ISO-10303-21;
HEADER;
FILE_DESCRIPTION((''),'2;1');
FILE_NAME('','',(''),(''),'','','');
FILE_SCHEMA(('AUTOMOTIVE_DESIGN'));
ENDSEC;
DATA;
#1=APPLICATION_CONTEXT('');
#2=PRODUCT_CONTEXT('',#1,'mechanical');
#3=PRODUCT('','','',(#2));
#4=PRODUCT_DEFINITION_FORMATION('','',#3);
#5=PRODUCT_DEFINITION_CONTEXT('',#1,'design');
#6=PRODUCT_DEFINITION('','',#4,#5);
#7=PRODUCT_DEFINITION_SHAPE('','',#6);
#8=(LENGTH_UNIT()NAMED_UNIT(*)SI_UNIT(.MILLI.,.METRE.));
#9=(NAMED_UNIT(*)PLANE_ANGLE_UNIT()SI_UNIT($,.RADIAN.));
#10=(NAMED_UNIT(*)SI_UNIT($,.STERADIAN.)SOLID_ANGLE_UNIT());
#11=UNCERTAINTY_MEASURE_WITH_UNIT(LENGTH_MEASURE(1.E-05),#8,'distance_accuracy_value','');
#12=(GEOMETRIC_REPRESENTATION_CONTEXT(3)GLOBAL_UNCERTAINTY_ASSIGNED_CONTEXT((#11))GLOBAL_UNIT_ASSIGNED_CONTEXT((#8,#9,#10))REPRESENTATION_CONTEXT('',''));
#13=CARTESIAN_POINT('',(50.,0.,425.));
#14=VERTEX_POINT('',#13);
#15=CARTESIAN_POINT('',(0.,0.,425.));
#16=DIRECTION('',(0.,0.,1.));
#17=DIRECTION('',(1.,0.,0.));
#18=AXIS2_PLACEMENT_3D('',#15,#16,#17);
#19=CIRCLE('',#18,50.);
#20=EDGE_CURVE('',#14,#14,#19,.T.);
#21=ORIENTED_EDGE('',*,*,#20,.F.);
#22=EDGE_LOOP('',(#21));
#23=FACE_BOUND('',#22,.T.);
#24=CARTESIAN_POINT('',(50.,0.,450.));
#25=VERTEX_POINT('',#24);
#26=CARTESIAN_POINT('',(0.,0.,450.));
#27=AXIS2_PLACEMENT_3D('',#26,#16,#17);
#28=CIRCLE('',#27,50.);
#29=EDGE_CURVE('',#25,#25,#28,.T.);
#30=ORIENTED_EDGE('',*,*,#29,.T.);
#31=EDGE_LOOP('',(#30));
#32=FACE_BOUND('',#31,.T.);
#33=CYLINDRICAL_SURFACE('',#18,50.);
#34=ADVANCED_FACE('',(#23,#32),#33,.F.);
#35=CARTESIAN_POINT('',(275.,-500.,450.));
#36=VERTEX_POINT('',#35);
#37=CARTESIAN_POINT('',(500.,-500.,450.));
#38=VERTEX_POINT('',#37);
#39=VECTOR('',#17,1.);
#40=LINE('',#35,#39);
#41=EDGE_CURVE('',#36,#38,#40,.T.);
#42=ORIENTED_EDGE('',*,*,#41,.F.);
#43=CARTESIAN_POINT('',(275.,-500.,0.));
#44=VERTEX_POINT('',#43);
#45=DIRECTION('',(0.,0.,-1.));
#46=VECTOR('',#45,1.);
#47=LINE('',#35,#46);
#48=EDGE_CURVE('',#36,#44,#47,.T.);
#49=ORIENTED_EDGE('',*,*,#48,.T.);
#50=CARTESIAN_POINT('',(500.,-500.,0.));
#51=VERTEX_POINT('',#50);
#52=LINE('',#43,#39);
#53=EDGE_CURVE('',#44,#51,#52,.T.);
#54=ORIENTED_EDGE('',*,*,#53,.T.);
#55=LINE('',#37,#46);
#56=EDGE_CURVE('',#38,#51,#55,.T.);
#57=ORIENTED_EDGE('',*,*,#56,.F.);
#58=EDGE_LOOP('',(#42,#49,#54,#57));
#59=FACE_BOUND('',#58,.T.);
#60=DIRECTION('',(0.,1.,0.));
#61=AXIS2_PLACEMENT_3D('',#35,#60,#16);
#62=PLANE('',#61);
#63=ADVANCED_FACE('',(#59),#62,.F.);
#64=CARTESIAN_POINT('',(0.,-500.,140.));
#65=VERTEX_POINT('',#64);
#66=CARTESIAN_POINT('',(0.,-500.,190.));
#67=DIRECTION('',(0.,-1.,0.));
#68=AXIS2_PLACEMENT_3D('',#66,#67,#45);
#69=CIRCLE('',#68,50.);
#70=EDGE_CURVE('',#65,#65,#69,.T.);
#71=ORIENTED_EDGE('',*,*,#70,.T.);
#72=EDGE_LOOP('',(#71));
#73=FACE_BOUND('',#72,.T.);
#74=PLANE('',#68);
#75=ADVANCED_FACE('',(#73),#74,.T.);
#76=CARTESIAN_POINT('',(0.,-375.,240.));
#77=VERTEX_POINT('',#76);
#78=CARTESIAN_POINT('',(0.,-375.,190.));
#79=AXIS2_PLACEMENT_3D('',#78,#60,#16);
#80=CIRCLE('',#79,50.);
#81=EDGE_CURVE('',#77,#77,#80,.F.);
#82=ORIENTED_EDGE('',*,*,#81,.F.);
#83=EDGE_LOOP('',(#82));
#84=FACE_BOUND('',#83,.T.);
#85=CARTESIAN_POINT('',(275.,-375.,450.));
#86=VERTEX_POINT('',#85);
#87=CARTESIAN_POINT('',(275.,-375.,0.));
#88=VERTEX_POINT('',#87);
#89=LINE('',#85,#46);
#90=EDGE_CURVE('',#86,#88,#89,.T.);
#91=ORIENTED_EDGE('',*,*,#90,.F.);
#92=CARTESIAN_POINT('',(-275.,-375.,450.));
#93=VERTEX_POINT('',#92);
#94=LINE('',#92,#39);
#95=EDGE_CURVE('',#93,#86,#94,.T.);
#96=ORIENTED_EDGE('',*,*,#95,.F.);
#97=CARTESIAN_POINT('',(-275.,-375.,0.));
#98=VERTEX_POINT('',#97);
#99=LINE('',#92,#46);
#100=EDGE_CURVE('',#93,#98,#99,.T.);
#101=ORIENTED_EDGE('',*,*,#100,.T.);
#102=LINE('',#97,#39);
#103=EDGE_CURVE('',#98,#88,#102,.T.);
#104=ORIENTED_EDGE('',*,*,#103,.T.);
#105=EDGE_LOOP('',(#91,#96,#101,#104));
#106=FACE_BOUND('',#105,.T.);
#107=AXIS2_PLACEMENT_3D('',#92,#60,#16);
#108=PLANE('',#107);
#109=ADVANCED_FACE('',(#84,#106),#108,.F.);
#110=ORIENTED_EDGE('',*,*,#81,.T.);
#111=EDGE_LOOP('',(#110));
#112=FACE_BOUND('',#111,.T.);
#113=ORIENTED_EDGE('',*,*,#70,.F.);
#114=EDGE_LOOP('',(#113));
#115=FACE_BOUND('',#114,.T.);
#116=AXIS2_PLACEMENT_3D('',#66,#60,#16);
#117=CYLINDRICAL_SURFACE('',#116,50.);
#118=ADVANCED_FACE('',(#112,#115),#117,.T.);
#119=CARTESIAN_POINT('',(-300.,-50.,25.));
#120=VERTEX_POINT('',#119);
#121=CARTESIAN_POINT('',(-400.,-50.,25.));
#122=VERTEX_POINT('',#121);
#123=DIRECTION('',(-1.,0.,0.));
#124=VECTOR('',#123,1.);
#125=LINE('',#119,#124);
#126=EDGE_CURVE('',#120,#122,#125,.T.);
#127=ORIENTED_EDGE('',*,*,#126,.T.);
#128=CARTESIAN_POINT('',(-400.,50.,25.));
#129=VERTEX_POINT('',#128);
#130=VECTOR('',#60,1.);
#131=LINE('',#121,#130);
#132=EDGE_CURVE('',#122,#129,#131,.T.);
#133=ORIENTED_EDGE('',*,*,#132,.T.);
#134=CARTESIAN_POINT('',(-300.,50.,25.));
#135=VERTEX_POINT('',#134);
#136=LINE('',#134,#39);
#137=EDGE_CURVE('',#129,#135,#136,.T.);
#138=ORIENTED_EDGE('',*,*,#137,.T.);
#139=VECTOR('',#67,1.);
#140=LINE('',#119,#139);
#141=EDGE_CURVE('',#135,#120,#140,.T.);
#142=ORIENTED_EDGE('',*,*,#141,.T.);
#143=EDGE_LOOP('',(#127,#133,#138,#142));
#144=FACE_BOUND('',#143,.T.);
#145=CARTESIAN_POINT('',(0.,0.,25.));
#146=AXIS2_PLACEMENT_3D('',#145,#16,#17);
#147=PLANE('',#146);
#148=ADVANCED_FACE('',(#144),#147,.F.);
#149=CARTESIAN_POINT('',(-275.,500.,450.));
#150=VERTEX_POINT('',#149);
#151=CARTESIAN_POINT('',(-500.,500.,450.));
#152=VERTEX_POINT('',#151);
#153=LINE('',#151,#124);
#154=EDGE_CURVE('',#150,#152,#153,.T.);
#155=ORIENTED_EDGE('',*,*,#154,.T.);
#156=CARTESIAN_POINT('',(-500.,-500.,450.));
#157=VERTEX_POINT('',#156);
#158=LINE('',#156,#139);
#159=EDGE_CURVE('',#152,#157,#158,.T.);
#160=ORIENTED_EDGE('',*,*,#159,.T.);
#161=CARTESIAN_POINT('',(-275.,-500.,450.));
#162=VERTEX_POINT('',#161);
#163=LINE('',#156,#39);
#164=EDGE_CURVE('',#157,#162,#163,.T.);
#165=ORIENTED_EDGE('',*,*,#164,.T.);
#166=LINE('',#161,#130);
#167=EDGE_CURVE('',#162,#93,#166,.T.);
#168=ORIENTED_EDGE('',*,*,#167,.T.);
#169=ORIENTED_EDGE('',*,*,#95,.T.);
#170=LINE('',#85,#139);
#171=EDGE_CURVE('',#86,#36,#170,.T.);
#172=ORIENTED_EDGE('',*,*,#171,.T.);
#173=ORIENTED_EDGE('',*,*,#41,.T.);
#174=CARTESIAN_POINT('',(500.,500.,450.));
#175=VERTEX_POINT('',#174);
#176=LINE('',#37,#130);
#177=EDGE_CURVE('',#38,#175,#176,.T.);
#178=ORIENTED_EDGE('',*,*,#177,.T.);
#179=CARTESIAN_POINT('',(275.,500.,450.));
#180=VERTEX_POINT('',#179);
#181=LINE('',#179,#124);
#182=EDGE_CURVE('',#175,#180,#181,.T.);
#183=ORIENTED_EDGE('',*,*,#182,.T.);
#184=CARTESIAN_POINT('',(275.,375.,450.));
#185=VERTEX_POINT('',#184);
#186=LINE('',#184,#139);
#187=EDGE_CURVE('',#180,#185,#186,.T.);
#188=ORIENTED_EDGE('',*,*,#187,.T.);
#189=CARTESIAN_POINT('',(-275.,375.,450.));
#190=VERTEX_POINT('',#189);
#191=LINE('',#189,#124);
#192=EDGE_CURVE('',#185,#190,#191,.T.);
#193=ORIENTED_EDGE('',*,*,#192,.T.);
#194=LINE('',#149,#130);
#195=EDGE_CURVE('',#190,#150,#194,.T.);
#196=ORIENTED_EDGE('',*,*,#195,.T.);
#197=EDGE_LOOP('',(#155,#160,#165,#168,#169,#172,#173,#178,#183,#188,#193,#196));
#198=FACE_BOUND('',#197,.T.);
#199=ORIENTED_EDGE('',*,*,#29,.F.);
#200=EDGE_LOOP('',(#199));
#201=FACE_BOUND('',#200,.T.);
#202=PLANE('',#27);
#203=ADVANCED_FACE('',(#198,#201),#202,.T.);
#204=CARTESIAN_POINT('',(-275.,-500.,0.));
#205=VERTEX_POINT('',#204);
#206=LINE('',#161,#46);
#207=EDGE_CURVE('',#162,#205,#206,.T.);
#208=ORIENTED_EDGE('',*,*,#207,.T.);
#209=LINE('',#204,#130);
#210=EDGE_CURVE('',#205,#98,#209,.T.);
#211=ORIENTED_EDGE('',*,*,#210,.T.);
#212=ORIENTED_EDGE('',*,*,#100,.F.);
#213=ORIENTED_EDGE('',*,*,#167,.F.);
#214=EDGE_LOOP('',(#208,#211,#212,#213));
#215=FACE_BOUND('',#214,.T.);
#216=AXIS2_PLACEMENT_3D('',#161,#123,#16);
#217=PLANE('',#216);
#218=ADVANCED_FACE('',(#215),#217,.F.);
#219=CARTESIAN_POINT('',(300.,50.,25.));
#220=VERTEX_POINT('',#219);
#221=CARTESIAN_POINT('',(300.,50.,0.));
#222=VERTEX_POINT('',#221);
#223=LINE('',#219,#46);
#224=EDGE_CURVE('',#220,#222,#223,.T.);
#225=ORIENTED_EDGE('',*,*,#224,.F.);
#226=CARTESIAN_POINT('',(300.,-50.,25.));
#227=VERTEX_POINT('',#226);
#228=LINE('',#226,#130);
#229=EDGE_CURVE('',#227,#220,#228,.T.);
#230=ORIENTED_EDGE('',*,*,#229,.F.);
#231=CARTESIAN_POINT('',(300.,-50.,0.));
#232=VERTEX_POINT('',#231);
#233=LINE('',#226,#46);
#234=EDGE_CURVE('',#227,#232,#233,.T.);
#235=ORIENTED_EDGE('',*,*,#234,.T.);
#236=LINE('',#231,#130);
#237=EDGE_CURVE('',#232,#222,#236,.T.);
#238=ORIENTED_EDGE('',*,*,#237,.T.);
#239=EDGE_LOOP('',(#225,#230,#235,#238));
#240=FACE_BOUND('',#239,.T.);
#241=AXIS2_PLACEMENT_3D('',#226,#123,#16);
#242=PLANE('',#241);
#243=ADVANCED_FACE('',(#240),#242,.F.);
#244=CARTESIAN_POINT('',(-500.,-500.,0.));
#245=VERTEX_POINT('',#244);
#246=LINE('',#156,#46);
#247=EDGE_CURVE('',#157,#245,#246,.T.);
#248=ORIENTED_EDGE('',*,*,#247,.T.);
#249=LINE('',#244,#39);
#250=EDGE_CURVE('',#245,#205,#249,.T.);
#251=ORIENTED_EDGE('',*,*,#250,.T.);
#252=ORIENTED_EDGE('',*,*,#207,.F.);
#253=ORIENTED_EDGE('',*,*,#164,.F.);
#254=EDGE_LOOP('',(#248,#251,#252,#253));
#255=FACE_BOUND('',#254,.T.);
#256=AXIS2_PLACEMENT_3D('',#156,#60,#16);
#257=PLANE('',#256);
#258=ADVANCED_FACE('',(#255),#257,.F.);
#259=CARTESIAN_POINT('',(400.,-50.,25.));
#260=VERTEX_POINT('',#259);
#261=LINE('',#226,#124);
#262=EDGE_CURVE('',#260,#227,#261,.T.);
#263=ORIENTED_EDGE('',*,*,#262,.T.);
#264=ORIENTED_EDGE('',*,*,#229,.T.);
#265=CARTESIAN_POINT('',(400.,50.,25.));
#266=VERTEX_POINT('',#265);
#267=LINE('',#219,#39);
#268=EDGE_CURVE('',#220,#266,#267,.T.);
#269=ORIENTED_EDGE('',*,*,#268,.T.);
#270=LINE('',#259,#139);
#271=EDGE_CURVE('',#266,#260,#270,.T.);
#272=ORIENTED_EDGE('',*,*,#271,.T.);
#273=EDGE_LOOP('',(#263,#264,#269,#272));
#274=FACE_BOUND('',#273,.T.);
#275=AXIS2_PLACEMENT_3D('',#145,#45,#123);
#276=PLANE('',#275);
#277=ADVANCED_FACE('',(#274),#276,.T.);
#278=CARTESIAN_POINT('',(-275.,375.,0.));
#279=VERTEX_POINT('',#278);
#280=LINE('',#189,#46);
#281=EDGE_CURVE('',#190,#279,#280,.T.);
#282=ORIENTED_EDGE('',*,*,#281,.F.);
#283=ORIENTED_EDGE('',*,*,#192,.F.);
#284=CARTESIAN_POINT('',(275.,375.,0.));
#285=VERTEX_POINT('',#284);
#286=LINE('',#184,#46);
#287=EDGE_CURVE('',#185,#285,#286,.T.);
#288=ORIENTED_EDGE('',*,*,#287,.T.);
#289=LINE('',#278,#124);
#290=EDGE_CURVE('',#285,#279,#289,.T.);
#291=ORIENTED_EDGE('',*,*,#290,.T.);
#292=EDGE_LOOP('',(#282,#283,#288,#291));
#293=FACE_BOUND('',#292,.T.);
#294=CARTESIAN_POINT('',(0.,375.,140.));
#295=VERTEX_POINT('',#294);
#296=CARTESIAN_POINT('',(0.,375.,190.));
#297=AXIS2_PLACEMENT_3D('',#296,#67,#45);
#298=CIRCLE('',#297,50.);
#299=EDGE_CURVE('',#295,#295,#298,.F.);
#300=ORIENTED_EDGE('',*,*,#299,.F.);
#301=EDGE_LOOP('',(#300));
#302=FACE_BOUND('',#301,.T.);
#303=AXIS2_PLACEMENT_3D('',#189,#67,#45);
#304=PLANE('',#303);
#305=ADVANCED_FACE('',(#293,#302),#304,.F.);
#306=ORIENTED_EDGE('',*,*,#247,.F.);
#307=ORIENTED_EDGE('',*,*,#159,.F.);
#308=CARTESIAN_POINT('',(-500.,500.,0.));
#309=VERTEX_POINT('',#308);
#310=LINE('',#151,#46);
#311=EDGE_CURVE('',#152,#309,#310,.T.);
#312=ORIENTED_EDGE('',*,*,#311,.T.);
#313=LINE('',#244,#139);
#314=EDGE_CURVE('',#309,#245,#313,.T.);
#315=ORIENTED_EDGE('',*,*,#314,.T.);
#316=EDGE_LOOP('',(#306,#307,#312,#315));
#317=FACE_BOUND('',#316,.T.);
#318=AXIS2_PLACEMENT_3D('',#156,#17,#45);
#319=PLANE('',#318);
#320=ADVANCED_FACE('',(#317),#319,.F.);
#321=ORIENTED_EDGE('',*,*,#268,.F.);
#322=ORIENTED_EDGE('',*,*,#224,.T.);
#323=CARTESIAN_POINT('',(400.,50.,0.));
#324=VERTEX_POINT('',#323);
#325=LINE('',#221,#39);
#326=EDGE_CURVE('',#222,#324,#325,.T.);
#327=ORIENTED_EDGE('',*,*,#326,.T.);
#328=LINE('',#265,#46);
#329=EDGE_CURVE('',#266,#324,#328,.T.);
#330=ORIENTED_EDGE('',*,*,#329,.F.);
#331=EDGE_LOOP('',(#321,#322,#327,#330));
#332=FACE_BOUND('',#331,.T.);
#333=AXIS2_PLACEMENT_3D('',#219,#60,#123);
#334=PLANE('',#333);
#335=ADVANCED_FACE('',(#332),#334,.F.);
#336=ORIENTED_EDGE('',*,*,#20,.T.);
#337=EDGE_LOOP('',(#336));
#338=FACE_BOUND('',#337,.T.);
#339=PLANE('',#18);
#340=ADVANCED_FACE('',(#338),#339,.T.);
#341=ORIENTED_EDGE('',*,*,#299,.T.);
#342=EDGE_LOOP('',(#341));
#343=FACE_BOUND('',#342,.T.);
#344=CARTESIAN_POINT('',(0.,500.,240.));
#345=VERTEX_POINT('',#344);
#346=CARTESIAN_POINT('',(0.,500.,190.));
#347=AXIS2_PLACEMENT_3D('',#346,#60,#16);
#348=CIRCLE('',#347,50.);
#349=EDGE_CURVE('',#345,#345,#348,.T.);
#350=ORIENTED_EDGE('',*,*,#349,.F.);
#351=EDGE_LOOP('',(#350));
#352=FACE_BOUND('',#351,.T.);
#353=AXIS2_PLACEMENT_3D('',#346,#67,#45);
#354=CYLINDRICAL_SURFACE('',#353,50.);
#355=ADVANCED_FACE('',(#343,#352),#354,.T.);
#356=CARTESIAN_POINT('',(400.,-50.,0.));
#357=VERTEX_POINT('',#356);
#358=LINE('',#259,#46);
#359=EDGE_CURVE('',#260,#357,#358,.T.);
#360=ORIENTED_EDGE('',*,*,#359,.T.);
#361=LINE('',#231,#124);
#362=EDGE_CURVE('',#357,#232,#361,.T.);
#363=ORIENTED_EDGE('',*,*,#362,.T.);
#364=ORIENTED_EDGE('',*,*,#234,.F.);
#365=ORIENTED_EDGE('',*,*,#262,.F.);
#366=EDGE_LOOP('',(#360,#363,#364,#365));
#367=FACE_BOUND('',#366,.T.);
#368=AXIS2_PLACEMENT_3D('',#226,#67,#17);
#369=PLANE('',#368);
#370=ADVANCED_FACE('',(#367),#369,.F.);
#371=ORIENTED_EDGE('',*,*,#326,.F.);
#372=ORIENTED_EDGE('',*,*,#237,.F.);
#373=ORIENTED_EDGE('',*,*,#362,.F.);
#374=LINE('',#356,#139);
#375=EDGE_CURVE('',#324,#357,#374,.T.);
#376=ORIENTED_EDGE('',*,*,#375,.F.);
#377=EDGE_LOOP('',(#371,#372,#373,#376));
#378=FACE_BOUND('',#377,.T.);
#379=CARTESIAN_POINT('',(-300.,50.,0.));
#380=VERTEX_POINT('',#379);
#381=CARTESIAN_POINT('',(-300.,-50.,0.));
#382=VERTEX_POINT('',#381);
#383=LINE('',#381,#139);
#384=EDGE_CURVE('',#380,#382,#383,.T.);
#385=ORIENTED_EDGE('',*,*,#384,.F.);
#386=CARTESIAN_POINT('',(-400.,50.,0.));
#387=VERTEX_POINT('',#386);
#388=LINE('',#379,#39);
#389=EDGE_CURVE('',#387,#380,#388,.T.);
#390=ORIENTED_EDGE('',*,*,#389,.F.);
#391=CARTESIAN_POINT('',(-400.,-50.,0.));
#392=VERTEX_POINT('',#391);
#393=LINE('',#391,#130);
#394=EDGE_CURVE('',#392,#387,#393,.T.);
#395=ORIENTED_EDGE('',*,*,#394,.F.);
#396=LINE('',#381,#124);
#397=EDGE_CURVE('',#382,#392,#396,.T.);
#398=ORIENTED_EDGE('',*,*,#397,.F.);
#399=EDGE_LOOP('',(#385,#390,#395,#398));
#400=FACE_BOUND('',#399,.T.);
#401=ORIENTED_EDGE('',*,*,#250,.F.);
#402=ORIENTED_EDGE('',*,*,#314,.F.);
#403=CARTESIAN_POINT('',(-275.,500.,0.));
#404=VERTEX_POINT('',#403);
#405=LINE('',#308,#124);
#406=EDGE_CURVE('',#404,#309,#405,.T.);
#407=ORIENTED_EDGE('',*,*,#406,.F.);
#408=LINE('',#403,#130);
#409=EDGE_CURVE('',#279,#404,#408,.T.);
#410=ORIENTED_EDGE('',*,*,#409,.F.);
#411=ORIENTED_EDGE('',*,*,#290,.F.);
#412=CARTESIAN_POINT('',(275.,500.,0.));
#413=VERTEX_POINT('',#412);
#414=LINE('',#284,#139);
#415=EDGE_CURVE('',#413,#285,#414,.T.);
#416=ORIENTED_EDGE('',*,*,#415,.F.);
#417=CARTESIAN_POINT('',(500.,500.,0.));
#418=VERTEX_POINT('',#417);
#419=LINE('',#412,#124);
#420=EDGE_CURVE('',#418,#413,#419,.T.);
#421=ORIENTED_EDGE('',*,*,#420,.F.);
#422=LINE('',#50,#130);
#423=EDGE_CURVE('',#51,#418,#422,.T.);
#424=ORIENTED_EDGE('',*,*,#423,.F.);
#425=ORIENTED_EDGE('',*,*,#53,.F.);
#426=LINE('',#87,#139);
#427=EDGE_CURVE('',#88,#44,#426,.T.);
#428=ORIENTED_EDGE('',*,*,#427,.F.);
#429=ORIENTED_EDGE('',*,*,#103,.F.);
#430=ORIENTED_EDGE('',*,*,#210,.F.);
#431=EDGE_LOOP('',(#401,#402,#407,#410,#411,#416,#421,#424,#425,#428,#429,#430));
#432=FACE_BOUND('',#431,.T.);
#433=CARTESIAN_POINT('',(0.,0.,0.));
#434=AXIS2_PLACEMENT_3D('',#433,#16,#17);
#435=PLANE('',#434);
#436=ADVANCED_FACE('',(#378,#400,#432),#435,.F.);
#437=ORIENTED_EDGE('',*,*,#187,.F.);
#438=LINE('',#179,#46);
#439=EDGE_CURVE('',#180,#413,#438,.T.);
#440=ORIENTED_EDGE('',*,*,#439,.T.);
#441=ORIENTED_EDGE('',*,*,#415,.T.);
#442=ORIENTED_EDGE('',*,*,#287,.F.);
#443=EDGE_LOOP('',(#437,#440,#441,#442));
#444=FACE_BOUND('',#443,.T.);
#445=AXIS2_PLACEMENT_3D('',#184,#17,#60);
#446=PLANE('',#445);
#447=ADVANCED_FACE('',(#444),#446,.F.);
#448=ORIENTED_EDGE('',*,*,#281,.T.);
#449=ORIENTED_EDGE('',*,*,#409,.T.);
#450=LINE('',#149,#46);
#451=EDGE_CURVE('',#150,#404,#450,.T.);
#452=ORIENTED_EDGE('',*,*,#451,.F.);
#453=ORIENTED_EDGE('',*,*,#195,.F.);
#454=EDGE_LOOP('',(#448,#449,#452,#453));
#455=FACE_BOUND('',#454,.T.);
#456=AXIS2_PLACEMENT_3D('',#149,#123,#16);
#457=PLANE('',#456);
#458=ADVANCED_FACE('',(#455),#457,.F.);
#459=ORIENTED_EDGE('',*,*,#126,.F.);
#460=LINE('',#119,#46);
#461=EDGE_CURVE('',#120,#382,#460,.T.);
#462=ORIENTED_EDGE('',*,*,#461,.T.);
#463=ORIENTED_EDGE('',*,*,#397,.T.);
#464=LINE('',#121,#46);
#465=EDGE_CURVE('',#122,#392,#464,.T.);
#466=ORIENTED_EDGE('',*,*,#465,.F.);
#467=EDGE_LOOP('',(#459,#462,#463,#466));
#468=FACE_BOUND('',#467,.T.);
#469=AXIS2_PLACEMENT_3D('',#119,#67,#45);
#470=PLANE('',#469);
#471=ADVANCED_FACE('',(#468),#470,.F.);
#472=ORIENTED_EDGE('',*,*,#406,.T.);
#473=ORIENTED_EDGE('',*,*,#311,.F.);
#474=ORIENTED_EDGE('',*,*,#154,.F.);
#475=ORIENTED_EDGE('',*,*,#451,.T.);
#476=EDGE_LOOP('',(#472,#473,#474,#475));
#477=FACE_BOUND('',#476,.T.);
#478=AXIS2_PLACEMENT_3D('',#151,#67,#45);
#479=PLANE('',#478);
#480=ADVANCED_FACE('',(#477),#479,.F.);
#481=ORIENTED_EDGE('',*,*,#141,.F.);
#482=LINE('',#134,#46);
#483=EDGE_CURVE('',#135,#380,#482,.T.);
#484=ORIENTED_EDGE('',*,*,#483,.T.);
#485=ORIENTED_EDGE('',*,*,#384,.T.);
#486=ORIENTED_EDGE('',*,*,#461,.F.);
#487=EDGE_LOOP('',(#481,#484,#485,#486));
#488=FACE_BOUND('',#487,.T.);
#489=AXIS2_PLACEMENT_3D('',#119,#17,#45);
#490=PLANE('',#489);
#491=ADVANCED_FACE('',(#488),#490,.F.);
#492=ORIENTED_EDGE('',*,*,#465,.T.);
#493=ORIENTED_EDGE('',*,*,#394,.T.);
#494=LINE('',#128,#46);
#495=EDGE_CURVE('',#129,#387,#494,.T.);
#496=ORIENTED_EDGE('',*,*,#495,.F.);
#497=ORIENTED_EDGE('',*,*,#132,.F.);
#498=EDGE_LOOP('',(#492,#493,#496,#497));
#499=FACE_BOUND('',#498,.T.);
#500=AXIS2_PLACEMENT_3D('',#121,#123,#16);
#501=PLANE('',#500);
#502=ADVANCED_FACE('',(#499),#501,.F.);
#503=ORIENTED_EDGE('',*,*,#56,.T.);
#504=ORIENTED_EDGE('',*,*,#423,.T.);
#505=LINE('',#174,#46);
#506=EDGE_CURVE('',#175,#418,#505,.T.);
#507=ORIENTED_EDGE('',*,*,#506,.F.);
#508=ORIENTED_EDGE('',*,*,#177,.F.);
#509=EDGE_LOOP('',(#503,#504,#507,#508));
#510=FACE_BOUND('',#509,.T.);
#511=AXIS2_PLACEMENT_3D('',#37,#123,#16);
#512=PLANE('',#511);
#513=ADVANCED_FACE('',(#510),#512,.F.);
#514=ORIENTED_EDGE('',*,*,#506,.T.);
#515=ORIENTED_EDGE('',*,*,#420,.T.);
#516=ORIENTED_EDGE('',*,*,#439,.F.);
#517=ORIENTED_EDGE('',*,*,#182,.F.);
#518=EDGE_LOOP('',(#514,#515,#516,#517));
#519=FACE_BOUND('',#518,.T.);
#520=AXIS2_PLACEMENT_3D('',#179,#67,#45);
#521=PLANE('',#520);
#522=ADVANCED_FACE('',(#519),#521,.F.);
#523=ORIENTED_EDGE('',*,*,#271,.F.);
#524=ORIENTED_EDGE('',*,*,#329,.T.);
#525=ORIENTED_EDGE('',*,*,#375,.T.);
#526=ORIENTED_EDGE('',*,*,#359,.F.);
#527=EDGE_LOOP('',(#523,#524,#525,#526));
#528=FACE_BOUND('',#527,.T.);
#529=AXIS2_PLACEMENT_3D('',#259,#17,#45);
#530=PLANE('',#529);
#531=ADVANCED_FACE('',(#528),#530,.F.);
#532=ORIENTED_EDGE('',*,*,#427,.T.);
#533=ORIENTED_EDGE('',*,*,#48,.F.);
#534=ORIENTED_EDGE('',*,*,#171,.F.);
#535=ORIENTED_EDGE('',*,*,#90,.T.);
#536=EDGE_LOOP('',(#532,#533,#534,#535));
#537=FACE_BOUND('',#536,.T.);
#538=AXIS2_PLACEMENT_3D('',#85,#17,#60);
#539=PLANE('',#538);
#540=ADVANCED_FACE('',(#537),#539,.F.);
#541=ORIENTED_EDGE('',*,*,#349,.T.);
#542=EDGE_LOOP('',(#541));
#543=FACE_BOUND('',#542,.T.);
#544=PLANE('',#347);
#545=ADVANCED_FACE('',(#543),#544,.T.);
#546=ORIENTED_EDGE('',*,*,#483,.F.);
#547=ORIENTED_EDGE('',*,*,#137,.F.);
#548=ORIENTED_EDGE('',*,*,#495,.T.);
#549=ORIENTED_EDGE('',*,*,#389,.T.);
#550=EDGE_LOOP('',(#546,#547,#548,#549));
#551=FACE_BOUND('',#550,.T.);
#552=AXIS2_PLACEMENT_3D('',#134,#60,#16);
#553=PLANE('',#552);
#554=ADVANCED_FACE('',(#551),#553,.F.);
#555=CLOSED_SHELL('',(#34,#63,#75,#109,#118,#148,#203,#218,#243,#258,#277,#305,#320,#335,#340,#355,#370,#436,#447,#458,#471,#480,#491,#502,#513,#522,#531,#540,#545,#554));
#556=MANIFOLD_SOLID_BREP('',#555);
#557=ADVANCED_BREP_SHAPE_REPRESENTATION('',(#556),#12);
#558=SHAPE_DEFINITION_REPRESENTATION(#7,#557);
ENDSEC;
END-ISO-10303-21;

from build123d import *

# Parameters (mm, degrees)
BOSS_EXTRUDE1_DEPTH = 450
SKETCH2_R           = 50
BOSS_EXTRUDE2_DEPTH = 125
SKETCH3_R           = 50
BOSS_EXTRUDE3_DEPTH = 125
SKETCH4_R           = 50
CUT_EXTRUDE1_DEPTH  = 25
SKETCH5_W           = 100
SKETCH5_H           = 100
CUT_EXTRUDE2_DEPTH  = 25


with BuildPart() as part:
    # Sketch1 → Boss-Extrude1 (new body)
    with BuildSketch(Plane.XY):
        Polygon((-275, 500), (-275, 375), (275, 375), (275, 500), (500, 500), (500, -500), (275, -500), (275, -375), (-275, -375), (-275, -500), (-500, -500), (-500, 500), align=None)
    extrude(amount=BOSS_EXTRUDE1_DEPTH)

    # Sketch2 → Boss-Extrude2 (add)
    with BuildSketch(Plane.XZ.offset(375)):
        with Locations((0, 190)):
            Circle(SKETCH2_R)
    extrude(amount=BOSS_EXTRUDE2_DEPTH)

    # Sketch3 → Boss-Extrude3 (add)
    with BuildSketch(Plane(origin=(0, 375, 0), x_dir=(1, 0, 0), z_dir=(0, 1, 0))):
        with Locations((0, -190)):
            Circle(SKETCH3_R)
    extrude(amount=BOSS_EXTRUDE3_DEPTH)

    # Sketch4 → Cut-Extrude1 (cut)
    with BuildSketch(Plane.XY.offset(450)):
        Circle(SKETCH4_R)
    extrude(amount=-CUT_EXTRUDE1_DEPTH, mode=Mode.SUBTRACT)

    # Sketch5 → Cut-Extrude2 (cut)
    with BuildSketch(Plane(origin=(0, 0, 0), x_dir=(-1, 0, 0), z_dir=(0, 0, -1))):
        with Locations((350, 0)):
            Rectangle(SKETCH5_W, SKETCH5_H)
        with Locations((-350, 0)):
            Rectangle(SKETCH5_W, SKETCH5_H)
    extrude(amount=-CUT_EXTRUDE2_DEPTH, mode=Mode.SUBTRACT)


solid = part.part
